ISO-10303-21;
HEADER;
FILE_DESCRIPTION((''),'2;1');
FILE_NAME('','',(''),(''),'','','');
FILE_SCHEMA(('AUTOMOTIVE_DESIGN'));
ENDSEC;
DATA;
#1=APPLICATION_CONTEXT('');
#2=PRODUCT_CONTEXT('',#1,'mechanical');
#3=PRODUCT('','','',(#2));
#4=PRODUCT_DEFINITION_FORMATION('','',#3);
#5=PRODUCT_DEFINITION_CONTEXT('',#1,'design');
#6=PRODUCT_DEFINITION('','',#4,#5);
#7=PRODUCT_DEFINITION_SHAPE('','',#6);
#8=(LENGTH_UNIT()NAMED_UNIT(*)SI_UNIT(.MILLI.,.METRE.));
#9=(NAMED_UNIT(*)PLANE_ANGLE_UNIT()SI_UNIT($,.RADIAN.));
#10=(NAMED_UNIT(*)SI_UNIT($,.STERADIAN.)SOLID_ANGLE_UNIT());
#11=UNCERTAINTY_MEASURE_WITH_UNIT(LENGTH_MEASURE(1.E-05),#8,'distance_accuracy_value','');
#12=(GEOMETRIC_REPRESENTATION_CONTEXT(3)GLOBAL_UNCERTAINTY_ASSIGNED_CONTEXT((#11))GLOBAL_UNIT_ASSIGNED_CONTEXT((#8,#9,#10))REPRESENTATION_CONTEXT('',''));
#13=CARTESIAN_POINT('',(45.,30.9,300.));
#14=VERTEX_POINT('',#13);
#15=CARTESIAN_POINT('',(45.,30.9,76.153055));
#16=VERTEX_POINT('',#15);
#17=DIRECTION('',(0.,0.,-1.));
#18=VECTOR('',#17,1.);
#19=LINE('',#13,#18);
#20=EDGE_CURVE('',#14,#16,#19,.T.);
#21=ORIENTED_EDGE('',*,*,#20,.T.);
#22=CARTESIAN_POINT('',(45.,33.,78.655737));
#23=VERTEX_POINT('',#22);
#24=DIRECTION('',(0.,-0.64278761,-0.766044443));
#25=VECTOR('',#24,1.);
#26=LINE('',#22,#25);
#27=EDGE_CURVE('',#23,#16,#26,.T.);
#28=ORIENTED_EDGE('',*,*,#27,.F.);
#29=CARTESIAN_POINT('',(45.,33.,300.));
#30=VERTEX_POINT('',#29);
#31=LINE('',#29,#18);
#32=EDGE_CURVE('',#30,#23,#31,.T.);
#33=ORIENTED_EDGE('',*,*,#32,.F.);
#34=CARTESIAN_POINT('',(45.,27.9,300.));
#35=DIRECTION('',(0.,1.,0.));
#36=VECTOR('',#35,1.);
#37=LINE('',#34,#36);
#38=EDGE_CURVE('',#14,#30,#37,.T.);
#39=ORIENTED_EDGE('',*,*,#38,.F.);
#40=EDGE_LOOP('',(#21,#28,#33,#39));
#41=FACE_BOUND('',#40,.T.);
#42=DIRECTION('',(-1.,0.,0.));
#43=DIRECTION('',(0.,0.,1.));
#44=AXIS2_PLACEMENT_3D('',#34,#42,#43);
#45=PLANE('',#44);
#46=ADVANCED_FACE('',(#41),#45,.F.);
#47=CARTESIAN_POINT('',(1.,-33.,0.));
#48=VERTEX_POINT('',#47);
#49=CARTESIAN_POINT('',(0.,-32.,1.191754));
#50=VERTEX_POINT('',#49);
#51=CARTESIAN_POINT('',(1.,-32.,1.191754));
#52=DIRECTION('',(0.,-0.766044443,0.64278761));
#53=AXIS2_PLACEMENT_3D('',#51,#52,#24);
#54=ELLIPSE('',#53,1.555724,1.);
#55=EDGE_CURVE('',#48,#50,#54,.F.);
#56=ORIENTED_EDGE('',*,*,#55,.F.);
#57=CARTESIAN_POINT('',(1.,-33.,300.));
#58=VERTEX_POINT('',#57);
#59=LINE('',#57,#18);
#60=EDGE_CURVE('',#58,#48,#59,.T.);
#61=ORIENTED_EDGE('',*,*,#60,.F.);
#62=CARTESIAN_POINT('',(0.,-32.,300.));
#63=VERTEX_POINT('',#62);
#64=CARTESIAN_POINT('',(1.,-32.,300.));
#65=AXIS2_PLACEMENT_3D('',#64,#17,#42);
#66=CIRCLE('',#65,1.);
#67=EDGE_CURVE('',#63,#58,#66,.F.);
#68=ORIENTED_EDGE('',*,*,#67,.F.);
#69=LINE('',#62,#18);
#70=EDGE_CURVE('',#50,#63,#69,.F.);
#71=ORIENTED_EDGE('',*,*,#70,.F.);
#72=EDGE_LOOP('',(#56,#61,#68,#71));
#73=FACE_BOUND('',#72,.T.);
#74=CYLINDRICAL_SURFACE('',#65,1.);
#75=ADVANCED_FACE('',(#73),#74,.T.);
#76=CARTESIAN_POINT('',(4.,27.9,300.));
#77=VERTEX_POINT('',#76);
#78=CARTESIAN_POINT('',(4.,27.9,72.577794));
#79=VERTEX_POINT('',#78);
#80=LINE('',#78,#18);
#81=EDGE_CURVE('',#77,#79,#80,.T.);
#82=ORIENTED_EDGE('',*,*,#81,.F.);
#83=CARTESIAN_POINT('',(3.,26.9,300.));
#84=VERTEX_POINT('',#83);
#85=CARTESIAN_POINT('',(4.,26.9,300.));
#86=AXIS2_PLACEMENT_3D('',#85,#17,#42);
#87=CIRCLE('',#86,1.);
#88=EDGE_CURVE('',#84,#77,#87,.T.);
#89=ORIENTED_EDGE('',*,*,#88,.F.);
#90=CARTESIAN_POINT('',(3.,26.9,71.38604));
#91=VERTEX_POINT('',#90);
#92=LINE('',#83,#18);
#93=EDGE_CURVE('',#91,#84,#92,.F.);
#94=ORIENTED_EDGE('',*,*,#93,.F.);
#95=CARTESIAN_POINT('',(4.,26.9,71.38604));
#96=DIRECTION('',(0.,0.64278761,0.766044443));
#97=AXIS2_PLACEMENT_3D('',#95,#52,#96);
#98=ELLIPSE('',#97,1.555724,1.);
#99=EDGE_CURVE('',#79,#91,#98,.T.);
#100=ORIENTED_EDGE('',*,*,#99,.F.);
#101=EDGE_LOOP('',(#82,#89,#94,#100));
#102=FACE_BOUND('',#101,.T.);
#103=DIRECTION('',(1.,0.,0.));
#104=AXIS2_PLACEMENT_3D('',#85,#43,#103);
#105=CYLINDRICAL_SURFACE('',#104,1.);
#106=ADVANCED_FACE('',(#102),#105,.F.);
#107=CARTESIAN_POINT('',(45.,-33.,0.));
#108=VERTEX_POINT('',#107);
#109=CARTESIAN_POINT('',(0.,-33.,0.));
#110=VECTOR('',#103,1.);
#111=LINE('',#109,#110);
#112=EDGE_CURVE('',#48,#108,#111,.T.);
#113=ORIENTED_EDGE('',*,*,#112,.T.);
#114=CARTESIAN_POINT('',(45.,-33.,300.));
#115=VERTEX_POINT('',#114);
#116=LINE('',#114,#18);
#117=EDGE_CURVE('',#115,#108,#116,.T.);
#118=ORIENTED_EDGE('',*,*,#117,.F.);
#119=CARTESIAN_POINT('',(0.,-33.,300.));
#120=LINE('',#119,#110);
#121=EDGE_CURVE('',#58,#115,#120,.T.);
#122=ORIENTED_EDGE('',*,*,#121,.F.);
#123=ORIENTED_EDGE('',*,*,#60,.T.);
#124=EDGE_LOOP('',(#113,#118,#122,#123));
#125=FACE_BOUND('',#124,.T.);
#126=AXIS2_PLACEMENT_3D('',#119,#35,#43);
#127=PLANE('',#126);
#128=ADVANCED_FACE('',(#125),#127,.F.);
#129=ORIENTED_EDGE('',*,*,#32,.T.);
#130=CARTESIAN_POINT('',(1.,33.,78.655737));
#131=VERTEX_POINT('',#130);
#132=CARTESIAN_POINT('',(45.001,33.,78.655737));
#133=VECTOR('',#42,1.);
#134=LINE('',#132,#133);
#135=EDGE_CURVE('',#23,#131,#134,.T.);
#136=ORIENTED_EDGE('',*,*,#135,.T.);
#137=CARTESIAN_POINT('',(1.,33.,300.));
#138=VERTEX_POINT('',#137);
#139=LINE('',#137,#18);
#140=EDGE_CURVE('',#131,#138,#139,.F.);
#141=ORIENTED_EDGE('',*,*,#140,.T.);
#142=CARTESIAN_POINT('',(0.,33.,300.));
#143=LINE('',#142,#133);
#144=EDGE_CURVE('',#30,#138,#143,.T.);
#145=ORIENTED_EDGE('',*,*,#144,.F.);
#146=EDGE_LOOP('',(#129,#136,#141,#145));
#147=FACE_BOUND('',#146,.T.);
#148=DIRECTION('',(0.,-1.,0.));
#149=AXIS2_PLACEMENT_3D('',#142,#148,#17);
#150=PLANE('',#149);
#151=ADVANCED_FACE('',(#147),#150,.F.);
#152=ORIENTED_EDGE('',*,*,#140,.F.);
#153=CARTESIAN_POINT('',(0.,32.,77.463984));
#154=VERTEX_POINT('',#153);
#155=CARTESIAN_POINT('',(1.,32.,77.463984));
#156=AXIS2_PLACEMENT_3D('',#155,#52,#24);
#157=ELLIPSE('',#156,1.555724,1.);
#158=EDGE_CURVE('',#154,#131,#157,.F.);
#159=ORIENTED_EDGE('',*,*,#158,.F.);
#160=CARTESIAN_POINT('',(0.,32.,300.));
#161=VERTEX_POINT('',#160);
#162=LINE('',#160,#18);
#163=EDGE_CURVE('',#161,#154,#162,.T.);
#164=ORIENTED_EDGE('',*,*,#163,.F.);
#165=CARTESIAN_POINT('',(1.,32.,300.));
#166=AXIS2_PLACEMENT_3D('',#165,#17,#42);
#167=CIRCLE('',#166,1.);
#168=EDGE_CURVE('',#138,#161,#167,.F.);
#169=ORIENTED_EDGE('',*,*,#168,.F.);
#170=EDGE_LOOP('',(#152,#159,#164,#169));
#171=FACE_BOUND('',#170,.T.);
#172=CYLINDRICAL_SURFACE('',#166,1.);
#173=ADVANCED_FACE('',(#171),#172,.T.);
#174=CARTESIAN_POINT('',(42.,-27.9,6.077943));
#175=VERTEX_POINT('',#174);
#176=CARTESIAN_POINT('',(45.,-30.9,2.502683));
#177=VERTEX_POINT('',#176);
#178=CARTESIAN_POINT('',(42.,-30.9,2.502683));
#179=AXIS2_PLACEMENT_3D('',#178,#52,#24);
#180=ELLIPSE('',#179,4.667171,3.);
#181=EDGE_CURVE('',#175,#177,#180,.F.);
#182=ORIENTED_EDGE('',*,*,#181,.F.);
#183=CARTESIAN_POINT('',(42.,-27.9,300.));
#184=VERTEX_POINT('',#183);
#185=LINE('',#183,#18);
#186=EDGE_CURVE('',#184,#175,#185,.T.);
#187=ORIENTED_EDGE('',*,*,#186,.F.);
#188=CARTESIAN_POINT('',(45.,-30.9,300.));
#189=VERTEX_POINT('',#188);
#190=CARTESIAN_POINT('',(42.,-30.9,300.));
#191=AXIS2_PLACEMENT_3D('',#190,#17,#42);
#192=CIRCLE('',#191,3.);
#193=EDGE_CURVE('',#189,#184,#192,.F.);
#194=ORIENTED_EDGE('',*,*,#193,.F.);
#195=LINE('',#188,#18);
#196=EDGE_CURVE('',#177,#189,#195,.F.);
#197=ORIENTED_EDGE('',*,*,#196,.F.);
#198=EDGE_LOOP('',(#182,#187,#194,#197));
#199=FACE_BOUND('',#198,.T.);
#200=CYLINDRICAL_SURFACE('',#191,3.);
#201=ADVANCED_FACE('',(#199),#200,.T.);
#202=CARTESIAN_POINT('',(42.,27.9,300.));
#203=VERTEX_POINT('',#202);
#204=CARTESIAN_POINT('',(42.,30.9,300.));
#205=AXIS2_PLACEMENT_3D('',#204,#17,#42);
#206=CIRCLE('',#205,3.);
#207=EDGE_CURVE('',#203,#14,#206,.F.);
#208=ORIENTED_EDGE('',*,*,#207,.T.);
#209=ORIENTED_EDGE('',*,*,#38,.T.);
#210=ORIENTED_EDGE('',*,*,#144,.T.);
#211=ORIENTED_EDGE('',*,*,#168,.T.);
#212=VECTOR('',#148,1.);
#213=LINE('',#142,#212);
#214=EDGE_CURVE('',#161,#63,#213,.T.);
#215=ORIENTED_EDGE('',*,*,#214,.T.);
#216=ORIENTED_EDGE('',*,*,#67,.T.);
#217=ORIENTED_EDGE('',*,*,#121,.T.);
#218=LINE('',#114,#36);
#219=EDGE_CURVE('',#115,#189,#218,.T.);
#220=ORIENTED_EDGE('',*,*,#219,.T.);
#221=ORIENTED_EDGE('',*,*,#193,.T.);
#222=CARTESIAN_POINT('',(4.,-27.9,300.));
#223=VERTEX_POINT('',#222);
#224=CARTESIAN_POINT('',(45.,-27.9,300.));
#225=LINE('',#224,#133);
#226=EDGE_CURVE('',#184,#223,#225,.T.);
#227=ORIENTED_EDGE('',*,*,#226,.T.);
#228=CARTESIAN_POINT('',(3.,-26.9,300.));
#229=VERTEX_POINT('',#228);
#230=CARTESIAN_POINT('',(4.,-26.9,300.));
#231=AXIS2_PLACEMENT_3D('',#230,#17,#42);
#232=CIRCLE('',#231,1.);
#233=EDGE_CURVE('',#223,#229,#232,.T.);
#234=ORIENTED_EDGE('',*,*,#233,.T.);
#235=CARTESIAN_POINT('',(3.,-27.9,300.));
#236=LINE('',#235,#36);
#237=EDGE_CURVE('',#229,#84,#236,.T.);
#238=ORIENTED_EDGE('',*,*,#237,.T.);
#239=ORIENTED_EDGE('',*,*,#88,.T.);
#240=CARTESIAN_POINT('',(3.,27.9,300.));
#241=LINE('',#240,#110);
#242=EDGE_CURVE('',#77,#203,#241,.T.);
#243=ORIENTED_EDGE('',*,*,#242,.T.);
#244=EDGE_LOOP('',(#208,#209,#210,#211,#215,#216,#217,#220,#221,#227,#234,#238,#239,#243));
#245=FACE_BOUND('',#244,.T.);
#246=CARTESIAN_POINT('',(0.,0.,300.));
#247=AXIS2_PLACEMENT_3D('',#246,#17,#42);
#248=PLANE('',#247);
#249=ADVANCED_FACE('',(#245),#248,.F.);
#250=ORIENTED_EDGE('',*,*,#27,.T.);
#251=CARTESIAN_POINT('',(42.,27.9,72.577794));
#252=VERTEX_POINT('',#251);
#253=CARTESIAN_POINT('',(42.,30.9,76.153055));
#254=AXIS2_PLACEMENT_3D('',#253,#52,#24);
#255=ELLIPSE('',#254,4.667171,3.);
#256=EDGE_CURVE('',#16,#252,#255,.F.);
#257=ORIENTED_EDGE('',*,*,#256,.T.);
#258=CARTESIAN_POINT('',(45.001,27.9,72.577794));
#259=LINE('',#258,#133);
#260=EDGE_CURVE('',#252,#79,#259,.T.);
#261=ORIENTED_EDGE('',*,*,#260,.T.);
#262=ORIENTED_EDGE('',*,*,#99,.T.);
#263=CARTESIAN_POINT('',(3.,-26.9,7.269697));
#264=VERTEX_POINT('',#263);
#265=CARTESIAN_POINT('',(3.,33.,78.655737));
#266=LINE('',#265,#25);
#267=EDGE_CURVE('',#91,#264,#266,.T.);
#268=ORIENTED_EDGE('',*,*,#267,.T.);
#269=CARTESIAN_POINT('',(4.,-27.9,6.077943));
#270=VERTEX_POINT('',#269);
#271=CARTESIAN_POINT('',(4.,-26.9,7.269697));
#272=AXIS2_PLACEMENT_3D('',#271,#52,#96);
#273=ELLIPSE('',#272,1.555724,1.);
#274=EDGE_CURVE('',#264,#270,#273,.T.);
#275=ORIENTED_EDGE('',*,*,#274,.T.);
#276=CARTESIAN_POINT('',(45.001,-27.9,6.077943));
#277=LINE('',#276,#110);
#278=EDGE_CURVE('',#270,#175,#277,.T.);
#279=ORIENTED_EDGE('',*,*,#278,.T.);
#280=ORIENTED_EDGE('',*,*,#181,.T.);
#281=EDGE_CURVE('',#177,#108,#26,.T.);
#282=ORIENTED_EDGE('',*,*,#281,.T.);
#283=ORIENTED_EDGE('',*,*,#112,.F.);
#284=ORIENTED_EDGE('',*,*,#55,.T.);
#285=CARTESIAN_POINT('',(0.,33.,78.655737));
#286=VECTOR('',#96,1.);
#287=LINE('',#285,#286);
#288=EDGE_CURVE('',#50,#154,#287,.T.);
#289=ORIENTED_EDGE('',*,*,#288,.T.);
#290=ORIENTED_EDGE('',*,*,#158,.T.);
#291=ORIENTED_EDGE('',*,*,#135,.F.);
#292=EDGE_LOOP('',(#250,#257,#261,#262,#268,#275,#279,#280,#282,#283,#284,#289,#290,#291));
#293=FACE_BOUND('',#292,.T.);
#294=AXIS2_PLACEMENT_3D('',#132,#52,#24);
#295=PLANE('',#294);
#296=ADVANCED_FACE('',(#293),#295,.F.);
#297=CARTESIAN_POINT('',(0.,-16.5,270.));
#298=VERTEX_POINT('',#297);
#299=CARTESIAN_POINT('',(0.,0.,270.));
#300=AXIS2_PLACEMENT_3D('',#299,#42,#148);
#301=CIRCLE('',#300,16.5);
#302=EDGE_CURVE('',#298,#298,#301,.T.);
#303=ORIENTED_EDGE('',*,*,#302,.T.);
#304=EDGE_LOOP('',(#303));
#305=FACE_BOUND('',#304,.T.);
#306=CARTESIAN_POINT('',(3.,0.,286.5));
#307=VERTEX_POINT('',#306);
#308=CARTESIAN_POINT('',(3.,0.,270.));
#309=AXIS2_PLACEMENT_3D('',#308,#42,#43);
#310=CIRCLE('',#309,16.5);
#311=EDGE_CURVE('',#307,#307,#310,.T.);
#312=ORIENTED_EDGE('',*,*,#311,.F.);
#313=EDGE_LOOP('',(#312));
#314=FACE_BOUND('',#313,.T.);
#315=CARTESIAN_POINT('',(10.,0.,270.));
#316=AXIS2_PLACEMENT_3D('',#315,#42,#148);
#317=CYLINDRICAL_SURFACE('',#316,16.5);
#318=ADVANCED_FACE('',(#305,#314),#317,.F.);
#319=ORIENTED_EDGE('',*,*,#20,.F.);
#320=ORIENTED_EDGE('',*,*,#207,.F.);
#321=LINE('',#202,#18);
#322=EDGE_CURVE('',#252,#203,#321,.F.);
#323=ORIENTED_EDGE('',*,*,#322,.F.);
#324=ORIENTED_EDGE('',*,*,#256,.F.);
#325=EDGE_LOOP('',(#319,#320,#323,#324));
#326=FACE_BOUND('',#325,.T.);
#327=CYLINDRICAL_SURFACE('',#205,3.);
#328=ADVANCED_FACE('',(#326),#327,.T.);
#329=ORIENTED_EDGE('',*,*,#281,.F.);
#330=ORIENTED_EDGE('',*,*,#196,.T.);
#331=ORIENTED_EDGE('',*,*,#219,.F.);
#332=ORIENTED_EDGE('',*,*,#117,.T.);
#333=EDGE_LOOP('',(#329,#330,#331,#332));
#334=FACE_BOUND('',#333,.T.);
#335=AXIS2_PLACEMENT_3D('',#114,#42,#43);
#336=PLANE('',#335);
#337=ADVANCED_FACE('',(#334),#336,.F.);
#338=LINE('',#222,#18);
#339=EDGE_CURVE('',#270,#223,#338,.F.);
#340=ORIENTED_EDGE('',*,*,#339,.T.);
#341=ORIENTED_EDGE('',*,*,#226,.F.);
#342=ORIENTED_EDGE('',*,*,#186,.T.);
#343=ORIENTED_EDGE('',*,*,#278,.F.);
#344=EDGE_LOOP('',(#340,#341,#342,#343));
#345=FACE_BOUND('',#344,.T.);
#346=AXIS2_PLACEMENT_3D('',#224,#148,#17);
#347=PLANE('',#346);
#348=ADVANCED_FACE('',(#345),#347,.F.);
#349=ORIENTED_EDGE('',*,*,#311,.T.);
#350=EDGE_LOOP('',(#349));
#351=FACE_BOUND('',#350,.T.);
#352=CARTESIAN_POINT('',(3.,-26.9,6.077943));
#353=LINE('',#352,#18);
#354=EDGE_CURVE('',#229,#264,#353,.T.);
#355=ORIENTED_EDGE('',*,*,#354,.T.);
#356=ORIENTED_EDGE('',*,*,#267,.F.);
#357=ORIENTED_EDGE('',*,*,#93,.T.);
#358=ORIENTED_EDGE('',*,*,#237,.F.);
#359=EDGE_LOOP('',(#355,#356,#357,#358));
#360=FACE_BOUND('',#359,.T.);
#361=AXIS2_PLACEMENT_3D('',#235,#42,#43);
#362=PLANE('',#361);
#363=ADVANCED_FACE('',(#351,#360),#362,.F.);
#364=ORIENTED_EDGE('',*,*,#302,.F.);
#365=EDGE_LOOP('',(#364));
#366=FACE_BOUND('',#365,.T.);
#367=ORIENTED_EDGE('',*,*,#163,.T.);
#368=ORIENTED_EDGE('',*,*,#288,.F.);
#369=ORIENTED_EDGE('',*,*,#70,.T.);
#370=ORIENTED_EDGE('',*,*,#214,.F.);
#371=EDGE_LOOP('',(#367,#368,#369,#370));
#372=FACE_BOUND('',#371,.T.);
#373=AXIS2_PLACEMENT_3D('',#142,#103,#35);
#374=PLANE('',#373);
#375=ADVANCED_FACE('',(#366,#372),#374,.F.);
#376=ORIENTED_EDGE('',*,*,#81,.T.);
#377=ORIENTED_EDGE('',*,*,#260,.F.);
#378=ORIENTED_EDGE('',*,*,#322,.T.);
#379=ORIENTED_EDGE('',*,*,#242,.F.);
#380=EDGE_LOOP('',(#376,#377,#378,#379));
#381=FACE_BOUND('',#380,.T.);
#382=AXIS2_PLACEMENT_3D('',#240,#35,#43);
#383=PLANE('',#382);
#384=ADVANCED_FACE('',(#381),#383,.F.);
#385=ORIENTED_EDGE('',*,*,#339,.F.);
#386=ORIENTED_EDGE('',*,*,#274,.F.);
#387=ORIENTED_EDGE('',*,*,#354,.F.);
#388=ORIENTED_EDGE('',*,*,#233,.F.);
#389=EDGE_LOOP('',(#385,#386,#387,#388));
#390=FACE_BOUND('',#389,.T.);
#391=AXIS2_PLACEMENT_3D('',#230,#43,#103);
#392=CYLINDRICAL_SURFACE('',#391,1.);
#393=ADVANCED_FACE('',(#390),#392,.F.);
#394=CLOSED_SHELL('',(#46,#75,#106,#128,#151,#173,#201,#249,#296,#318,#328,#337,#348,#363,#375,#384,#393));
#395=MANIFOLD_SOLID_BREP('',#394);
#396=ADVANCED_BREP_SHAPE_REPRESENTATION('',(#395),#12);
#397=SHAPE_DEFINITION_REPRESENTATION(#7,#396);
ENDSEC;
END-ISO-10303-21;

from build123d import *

# Parameters (mm, degrees)
BOSS_EXTRUDE1_DEPTH = 300
CUT_EXTRUDE1_REACH  = 307.146
FILLET1_R           = 3
FILLET2_R           = 1
SKETCH4_R           = 16.5
CUT_EXTRUDE2_DEPTH  = 10


with BuildPart() as part:
    # Sketch1 → Boss-Extrude1 (new body)
    with BuildSketch(Plane.XY):
        Polygon((0, 33), (0, -33), (45, -33), (45, -27.9), (3, -27.9), (3, 27.9), (45, 27.9), (45, 33), align=None)
    extrude(amount=BOSS_EXTRUDE1_DEPTH)

    # Sketch3 → Cut-Extrude1 (cut, up to next)
    with BuildSketch(Plane.ZY, mode=Mode.PRIVATE) as cut_extrude1_sk1:
        Polygon((0, -33), (0, 33), (78.655737111, 33), align=None)
    cut_extrude1_tool1 = extrude(cut_extrude1_sk1.sketch, amount=-CUT_EXTRUDE1_REACH, mode=Mode.PRIVATE) & part.part
    add(cut_extrude1_tool1.solids().sort_by_distance((0, 11, 26.218579))[0], mode=Mode.SUBTRACT)

    # Fillet1
    fillet1_edges = [part.edges().sort_by_distance(p)[0] for p in [
        (45, -27.9, 153.038971661),
        (45, 27.9, 186.288896894),
    ]]
    fillet(fillet1_edges, radius=FILLET1_R)

    # Fillet2
    fillet2_edges = [part.edges().sort_by_distance(p)[0] for p in [
        (3, -27.9, 153.038971661),
        (0, -33, 150),
        (0, 33, 189.327868556),
        (3, 27.9, 186.288896894),
    ]]
    fillet(fillet2_edges, radius=FILLET2_R)

    # Sketch4 → Cut-Extrude2 (cut)
    with BuildSketch(Plane.ZY):
        with Locations(Location((270, 0, 0), (0, 0, 270))):
            Circle(SKETCH4_R)
    extrude(amount=-CUT_EXTRUDE2_DEPTH, mode=Mode.SUBTRACT)


solid = part.part
